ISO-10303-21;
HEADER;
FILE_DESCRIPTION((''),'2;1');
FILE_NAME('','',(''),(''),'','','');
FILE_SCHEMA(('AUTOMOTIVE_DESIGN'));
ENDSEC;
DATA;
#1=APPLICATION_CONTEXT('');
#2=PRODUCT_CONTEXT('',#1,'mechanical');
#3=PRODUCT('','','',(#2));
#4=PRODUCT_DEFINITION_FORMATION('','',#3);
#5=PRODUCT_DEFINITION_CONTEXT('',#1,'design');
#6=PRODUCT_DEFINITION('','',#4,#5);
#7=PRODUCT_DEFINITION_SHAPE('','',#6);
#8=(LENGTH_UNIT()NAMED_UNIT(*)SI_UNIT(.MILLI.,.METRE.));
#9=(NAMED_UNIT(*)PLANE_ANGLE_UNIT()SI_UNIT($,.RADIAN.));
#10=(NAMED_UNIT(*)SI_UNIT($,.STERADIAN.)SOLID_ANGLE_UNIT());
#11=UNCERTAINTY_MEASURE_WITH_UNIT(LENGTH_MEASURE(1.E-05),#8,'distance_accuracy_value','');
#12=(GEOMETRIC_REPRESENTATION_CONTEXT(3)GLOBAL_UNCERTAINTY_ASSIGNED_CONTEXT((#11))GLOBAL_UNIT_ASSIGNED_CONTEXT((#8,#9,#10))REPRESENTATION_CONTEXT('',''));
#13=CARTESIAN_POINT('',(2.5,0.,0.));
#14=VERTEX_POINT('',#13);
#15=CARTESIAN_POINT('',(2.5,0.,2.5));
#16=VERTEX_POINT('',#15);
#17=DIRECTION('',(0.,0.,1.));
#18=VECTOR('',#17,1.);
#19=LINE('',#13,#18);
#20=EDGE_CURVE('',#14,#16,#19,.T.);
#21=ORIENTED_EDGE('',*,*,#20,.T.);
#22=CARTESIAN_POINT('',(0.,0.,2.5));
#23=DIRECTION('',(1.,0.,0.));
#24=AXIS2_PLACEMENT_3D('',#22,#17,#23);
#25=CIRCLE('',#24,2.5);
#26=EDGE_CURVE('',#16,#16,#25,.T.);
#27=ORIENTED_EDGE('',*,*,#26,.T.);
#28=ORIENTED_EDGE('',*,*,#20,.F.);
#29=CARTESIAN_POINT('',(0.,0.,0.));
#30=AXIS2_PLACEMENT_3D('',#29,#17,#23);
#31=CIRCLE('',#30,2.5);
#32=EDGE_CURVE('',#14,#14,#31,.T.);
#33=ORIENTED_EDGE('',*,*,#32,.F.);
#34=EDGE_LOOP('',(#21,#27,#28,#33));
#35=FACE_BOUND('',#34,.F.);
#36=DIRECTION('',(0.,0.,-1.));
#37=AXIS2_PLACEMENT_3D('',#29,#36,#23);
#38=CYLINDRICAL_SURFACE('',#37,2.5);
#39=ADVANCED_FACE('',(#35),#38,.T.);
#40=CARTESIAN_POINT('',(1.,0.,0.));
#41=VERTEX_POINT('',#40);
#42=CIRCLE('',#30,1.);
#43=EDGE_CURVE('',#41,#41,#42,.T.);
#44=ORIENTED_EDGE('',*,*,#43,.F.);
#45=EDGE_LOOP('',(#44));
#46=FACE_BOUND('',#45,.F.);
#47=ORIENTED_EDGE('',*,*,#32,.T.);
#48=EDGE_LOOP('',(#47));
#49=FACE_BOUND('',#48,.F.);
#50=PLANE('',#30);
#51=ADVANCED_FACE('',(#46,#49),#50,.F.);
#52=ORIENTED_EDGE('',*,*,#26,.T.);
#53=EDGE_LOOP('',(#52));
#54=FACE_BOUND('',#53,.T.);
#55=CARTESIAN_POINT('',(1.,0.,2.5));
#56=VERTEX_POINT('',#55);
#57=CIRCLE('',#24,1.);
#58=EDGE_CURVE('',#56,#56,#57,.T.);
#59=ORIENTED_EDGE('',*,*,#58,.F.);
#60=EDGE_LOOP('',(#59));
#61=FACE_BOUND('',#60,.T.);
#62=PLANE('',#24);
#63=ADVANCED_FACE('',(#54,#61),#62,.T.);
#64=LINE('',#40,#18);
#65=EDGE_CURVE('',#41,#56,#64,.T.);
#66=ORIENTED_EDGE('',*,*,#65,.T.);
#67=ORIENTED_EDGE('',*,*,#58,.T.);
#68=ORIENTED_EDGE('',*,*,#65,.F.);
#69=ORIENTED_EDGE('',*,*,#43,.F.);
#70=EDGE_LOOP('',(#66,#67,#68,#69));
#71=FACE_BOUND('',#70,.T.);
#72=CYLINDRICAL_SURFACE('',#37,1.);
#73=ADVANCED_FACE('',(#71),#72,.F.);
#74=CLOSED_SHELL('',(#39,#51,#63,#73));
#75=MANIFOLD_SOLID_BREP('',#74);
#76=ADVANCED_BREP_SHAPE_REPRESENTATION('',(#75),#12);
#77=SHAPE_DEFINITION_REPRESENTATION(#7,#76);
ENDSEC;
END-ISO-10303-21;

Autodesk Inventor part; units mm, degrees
ref_plane "YZ Plane" through (0, 0, 0) normal (1, 0, 0) x (0, 1, 0)
ref_plane "XZ Plane" through (0, 0, 0) normal (0, 1, 0) x (-1, 0, 0)
ref_plane "XY Plane" through (0, 0, 0) normal (0, 0, 1) x (1, 0, 0)
sketch "Sketch1" plane through (0, 0, 0) normal (0, 0, 1) x (1, 0, 0)
  circle A0 centre (0, 0) radius 2.5
  circle A1 centre (0, 0) radius 1
  dimension "d0" = 5
  dimension "d1" = 2
extrude "Extrusion1" add sketch "Sketch1" along normal blind 2.5
properties part number "Lozysko682ZZ"
